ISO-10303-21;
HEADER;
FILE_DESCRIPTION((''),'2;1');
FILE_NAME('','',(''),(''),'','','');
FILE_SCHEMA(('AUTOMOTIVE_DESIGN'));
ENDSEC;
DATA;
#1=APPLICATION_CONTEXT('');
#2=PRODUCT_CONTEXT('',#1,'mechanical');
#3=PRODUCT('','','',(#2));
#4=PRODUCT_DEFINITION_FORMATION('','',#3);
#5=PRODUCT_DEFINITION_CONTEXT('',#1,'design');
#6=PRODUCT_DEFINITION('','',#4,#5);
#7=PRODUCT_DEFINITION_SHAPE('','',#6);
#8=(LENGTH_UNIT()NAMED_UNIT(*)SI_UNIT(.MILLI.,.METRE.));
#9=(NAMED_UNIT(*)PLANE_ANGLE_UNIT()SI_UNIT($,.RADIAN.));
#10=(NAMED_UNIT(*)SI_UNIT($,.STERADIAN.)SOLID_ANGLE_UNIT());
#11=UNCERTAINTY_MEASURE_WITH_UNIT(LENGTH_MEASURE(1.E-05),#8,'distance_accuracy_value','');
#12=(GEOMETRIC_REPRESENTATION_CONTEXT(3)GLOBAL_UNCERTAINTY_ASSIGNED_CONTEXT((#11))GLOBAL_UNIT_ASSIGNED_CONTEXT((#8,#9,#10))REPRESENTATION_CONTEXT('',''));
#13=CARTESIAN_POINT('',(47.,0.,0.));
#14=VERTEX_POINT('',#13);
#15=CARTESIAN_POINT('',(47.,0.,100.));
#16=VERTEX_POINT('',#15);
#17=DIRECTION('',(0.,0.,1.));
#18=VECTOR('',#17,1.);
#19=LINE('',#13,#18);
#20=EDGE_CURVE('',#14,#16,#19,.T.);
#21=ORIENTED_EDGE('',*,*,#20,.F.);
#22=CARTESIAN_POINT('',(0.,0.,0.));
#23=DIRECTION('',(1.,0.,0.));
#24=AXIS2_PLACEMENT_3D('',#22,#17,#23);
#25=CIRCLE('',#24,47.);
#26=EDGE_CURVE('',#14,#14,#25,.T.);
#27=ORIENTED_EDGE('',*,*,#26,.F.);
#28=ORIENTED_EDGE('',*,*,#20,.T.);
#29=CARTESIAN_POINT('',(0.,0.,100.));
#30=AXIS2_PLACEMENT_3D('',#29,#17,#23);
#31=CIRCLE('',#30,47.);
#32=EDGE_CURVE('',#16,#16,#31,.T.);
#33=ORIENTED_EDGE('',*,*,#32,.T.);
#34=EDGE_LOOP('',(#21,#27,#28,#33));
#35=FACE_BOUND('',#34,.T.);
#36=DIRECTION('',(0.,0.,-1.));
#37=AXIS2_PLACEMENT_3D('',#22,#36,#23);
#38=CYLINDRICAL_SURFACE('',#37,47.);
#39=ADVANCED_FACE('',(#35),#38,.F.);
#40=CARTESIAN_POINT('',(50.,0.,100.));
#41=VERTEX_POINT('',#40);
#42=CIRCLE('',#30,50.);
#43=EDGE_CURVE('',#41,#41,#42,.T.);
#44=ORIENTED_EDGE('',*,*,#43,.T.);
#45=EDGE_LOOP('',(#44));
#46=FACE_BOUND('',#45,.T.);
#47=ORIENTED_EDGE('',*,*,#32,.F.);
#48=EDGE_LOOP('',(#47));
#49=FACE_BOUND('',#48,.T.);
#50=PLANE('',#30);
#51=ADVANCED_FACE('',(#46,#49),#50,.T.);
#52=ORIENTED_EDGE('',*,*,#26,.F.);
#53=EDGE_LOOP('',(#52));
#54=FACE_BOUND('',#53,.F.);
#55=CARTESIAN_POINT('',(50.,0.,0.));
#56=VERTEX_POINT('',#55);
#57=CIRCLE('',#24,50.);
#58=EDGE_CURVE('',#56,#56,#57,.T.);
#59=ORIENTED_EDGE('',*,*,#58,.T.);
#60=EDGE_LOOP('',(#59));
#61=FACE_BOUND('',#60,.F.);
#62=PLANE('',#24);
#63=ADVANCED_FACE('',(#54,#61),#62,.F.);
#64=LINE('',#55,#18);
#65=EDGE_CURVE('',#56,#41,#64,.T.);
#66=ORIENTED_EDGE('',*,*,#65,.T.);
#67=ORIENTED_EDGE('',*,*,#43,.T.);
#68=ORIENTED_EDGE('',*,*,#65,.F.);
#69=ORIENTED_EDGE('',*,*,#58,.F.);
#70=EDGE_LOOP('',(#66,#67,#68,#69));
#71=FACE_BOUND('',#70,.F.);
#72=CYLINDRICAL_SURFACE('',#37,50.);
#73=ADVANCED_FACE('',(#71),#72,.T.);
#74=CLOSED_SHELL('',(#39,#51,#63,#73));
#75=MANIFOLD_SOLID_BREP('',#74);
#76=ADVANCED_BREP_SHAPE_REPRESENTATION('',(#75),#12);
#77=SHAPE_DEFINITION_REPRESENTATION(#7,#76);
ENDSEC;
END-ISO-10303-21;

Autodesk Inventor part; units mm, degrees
ref_plane "YZ Plane" through (0, 0, 0) normal (1, 0, 0) x (0, 1, 0)
ref_plane "XZ Plane" through (0, 0, 0) normal (0, 1, 0) x (-1, 0, 0)
ref_plane "XY Plane" through (0, 0, 0) normal (0, 0, 1) x (1, 0, 0)
sketch "Sketch1" plane through (0, 0, 0) normal (0, 0, 1) x (1, 0, 0)
  circle A0 centre (0, 0) radius 50
  circle A1 centre (0, 0) radius 47
  dimension "d0" = 100
  dimension "d1" = 3
extrude "Extrusion1" add sketch "Sketch1" along normal blind 100
equation "\"d0\" = MAIN_Outer_Tube_Diam"
equation "\"MAIN_Outer_Tube_Diam\" = 100"
properties part number "000 DS-B outer tube"
